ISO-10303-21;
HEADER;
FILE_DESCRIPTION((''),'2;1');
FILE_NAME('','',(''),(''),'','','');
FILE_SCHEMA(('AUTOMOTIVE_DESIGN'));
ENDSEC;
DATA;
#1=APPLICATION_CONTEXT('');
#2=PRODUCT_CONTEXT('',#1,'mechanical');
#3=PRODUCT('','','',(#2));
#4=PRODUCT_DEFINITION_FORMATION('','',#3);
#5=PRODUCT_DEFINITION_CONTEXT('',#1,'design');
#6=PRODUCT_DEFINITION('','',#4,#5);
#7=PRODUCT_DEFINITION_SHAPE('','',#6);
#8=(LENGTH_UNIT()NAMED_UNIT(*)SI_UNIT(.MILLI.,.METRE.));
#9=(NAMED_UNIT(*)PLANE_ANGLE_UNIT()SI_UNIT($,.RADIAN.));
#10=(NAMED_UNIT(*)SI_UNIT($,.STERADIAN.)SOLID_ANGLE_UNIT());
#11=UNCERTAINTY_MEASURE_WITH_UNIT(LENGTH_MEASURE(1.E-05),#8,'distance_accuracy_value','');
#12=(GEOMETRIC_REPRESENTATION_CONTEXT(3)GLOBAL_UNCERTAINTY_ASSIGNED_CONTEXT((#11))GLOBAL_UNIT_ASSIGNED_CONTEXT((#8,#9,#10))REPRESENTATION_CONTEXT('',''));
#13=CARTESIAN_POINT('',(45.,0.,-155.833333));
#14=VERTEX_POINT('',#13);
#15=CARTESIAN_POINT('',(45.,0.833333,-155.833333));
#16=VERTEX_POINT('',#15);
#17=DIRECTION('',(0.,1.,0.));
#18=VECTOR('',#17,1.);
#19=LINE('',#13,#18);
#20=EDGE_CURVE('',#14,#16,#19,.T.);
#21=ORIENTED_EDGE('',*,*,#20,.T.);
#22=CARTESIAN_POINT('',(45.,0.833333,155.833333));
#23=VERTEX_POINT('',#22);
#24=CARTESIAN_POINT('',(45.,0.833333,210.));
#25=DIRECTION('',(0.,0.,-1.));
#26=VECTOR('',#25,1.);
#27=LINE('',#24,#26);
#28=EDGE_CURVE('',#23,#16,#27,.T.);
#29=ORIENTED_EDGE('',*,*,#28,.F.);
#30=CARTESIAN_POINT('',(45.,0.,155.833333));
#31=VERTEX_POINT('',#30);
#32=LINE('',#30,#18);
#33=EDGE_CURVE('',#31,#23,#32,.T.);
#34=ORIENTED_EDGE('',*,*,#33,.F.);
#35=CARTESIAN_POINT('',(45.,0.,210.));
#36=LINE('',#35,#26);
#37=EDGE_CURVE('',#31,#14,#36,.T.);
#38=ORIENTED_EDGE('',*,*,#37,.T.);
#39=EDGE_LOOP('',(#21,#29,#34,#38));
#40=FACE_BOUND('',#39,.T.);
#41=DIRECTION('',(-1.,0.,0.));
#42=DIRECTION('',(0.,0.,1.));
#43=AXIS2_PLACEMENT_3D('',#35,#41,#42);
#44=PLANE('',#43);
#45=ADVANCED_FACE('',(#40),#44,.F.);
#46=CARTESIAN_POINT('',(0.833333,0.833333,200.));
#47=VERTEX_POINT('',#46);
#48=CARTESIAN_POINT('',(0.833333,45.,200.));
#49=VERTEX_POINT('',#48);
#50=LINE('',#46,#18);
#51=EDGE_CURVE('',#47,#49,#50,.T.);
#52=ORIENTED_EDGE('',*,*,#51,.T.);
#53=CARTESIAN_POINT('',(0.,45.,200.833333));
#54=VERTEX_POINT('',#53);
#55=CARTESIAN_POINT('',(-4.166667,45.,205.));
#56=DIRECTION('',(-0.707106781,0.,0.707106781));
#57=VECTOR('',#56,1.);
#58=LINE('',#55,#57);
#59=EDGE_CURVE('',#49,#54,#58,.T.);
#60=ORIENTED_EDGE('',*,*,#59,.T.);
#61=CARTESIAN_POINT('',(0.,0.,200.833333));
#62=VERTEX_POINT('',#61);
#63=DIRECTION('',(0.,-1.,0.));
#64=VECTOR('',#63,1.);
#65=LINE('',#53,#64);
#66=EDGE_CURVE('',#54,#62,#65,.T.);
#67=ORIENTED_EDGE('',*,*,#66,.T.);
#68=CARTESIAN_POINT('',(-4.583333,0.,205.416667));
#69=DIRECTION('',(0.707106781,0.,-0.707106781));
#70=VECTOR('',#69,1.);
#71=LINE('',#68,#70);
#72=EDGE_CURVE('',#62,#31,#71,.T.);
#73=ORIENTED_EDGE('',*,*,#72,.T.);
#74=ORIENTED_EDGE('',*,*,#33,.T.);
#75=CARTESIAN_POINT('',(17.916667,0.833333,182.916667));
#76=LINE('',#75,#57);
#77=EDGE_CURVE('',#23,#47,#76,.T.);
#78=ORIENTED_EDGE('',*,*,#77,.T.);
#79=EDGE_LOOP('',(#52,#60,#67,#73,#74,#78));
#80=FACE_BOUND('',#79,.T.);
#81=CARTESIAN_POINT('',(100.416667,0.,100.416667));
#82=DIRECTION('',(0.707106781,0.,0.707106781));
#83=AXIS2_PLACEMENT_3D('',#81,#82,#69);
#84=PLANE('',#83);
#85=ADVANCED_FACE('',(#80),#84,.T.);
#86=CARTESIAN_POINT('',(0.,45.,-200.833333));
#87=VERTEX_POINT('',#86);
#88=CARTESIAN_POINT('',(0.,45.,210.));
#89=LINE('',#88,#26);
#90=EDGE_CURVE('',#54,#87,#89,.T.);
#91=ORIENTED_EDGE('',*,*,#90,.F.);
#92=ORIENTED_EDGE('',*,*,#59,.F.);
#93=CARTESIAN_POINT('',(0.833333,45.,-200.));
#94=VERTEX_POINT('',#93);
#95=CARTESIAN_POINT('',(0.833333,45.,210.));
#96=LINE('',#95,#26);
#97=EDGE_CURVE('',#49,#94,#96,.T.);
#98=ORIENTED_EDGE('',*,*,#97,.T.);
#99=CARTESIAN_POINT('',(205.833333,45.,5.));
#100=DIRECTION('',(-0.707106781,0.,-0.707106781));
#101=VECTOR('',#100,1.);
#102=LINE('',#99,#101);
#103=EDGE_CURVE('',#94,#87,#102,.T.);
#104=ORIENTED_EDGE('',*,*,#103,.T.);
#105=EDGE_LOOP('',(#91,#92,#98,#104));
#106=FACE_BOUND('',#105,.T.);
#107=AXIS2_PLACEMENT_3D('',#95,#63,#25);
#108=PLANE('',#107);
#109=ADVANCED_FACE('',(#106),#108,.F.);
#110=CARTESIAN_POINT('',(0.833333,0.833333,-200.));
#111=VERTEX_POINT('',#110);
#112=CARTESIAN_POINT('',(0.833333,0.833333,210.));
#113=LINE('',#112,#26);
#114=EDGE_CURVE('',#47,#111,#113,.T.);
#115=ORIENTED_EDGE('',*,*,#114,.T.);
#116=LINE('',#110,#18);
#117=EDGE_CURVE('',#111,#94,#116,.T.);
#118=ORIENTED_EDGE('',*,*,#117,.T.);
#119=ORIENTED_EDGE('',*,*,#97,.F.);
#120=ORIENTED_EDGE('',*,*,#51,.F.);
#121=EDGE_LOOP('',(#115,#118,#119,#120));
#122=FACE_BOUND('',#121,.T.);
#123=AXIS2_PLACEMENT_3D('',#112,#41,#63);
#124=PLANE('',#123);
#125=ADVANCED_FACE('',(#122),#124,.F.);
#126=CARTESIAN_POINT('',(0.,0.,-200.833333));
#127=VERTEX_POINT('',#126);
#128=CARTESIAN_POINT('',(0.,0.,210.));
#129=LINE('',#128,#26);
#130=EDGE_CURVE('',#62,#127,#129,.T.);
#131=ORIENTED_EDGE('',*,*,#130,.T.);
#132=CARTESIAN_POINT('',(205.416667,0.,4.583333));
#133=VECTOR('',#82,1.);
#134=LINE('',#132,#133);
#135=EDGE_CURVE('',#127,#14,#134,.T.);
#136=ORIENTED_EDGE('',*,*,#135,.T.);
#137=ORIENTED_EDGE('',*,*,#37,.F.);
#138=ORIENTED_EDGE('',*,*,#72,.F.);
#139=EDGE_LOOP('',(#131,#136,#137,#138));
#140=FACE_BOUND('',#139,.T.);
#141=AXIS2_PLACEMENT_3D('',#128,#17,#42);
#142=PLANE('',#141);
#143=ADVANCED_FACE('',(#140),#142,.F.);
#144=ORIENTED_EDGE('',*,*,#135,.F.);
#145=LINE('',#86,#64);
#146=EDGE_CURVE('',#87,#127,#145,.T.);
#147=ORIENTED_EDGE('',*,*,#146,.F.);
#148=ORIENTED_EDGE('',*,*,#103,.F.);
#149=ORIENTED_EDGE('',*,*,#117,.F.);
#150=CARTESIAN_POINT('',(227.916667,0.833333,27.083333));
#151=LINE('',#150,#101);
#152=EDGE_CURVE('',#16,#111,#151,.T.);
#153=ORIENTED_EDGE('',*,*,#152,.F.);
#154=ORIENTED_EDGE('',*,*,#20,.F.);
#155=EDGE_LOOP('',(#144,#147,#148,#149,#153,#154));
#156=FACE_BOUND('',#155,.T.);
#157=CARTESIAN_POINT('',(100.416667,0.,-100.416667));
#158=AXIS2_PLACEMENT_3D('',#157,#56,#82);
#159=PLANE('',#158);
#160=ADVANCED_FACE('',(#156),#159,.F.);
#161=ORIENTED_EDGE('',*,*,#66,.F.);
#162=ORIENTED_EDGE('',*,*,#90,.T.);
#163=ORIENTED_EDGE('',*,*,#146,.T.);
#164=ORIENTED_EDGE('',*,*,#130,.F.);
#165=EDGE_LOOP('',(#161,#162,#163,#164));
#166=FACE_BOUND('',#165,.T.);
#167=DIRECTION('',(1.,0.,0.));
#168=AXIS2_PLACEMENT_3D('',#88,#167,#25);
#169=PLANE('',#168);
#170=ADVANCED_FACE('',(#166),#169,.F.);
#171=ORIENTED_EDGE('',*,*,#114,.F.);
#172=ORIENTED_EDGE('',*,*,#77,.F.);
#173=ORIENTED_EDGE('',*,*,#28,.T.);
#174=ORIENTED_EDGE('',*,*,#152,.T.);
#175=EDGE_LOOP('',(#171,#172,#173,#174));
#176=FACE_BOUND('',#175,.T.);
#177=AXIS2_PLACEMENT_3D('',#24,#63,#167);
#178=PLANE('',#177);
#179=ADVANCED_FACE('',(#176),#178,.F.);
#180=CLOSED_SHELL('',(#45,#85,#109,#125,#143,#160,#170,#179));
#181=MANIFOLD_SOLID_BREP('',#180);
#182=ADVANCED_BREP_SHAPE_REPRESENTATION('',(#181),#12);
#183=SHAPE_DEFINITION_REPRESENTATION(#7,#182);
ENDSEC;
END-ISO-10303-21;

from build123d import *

# Parameters (mm, degrees)
BOSS_EXTRUDE1_DEPTH = 210


with BuildPart() as part:
    # Sketch1 → Boss-Extrude1 (new, symmetric)
    with BuildSketch(Plane.XY):
        Polygon((0, 45), (0, 0), (45, 0), (45, 0.833333333), (0.833333333, 0.833333333), (0.833333333, 45), align=None)
    extrude(amount=BOSS_EXTRUDE1_DEPTH, both=True)

    # SurfaceCut5
    split(bisect_by=Plane(origin=(100.416666667, 0, -100.416666667), x_dir=(0.7071067811865487, 0, 0.7071067811865465), z_dir=(-0.7071067811865465, 0, 0.7071067811865487)), keep=Keep.TOP)

    # SurfaceCut6
    split(bisect_by=Plane(origin=(100.416666667, 0, 100.416666667), x_dir=(0.7071067811865487, 0, -0.7071067811865465), z_dir=(0.7071067811865465, 0, 0.7071067811865487)), keep=Keep.BOTTOM)


solid = part.part
